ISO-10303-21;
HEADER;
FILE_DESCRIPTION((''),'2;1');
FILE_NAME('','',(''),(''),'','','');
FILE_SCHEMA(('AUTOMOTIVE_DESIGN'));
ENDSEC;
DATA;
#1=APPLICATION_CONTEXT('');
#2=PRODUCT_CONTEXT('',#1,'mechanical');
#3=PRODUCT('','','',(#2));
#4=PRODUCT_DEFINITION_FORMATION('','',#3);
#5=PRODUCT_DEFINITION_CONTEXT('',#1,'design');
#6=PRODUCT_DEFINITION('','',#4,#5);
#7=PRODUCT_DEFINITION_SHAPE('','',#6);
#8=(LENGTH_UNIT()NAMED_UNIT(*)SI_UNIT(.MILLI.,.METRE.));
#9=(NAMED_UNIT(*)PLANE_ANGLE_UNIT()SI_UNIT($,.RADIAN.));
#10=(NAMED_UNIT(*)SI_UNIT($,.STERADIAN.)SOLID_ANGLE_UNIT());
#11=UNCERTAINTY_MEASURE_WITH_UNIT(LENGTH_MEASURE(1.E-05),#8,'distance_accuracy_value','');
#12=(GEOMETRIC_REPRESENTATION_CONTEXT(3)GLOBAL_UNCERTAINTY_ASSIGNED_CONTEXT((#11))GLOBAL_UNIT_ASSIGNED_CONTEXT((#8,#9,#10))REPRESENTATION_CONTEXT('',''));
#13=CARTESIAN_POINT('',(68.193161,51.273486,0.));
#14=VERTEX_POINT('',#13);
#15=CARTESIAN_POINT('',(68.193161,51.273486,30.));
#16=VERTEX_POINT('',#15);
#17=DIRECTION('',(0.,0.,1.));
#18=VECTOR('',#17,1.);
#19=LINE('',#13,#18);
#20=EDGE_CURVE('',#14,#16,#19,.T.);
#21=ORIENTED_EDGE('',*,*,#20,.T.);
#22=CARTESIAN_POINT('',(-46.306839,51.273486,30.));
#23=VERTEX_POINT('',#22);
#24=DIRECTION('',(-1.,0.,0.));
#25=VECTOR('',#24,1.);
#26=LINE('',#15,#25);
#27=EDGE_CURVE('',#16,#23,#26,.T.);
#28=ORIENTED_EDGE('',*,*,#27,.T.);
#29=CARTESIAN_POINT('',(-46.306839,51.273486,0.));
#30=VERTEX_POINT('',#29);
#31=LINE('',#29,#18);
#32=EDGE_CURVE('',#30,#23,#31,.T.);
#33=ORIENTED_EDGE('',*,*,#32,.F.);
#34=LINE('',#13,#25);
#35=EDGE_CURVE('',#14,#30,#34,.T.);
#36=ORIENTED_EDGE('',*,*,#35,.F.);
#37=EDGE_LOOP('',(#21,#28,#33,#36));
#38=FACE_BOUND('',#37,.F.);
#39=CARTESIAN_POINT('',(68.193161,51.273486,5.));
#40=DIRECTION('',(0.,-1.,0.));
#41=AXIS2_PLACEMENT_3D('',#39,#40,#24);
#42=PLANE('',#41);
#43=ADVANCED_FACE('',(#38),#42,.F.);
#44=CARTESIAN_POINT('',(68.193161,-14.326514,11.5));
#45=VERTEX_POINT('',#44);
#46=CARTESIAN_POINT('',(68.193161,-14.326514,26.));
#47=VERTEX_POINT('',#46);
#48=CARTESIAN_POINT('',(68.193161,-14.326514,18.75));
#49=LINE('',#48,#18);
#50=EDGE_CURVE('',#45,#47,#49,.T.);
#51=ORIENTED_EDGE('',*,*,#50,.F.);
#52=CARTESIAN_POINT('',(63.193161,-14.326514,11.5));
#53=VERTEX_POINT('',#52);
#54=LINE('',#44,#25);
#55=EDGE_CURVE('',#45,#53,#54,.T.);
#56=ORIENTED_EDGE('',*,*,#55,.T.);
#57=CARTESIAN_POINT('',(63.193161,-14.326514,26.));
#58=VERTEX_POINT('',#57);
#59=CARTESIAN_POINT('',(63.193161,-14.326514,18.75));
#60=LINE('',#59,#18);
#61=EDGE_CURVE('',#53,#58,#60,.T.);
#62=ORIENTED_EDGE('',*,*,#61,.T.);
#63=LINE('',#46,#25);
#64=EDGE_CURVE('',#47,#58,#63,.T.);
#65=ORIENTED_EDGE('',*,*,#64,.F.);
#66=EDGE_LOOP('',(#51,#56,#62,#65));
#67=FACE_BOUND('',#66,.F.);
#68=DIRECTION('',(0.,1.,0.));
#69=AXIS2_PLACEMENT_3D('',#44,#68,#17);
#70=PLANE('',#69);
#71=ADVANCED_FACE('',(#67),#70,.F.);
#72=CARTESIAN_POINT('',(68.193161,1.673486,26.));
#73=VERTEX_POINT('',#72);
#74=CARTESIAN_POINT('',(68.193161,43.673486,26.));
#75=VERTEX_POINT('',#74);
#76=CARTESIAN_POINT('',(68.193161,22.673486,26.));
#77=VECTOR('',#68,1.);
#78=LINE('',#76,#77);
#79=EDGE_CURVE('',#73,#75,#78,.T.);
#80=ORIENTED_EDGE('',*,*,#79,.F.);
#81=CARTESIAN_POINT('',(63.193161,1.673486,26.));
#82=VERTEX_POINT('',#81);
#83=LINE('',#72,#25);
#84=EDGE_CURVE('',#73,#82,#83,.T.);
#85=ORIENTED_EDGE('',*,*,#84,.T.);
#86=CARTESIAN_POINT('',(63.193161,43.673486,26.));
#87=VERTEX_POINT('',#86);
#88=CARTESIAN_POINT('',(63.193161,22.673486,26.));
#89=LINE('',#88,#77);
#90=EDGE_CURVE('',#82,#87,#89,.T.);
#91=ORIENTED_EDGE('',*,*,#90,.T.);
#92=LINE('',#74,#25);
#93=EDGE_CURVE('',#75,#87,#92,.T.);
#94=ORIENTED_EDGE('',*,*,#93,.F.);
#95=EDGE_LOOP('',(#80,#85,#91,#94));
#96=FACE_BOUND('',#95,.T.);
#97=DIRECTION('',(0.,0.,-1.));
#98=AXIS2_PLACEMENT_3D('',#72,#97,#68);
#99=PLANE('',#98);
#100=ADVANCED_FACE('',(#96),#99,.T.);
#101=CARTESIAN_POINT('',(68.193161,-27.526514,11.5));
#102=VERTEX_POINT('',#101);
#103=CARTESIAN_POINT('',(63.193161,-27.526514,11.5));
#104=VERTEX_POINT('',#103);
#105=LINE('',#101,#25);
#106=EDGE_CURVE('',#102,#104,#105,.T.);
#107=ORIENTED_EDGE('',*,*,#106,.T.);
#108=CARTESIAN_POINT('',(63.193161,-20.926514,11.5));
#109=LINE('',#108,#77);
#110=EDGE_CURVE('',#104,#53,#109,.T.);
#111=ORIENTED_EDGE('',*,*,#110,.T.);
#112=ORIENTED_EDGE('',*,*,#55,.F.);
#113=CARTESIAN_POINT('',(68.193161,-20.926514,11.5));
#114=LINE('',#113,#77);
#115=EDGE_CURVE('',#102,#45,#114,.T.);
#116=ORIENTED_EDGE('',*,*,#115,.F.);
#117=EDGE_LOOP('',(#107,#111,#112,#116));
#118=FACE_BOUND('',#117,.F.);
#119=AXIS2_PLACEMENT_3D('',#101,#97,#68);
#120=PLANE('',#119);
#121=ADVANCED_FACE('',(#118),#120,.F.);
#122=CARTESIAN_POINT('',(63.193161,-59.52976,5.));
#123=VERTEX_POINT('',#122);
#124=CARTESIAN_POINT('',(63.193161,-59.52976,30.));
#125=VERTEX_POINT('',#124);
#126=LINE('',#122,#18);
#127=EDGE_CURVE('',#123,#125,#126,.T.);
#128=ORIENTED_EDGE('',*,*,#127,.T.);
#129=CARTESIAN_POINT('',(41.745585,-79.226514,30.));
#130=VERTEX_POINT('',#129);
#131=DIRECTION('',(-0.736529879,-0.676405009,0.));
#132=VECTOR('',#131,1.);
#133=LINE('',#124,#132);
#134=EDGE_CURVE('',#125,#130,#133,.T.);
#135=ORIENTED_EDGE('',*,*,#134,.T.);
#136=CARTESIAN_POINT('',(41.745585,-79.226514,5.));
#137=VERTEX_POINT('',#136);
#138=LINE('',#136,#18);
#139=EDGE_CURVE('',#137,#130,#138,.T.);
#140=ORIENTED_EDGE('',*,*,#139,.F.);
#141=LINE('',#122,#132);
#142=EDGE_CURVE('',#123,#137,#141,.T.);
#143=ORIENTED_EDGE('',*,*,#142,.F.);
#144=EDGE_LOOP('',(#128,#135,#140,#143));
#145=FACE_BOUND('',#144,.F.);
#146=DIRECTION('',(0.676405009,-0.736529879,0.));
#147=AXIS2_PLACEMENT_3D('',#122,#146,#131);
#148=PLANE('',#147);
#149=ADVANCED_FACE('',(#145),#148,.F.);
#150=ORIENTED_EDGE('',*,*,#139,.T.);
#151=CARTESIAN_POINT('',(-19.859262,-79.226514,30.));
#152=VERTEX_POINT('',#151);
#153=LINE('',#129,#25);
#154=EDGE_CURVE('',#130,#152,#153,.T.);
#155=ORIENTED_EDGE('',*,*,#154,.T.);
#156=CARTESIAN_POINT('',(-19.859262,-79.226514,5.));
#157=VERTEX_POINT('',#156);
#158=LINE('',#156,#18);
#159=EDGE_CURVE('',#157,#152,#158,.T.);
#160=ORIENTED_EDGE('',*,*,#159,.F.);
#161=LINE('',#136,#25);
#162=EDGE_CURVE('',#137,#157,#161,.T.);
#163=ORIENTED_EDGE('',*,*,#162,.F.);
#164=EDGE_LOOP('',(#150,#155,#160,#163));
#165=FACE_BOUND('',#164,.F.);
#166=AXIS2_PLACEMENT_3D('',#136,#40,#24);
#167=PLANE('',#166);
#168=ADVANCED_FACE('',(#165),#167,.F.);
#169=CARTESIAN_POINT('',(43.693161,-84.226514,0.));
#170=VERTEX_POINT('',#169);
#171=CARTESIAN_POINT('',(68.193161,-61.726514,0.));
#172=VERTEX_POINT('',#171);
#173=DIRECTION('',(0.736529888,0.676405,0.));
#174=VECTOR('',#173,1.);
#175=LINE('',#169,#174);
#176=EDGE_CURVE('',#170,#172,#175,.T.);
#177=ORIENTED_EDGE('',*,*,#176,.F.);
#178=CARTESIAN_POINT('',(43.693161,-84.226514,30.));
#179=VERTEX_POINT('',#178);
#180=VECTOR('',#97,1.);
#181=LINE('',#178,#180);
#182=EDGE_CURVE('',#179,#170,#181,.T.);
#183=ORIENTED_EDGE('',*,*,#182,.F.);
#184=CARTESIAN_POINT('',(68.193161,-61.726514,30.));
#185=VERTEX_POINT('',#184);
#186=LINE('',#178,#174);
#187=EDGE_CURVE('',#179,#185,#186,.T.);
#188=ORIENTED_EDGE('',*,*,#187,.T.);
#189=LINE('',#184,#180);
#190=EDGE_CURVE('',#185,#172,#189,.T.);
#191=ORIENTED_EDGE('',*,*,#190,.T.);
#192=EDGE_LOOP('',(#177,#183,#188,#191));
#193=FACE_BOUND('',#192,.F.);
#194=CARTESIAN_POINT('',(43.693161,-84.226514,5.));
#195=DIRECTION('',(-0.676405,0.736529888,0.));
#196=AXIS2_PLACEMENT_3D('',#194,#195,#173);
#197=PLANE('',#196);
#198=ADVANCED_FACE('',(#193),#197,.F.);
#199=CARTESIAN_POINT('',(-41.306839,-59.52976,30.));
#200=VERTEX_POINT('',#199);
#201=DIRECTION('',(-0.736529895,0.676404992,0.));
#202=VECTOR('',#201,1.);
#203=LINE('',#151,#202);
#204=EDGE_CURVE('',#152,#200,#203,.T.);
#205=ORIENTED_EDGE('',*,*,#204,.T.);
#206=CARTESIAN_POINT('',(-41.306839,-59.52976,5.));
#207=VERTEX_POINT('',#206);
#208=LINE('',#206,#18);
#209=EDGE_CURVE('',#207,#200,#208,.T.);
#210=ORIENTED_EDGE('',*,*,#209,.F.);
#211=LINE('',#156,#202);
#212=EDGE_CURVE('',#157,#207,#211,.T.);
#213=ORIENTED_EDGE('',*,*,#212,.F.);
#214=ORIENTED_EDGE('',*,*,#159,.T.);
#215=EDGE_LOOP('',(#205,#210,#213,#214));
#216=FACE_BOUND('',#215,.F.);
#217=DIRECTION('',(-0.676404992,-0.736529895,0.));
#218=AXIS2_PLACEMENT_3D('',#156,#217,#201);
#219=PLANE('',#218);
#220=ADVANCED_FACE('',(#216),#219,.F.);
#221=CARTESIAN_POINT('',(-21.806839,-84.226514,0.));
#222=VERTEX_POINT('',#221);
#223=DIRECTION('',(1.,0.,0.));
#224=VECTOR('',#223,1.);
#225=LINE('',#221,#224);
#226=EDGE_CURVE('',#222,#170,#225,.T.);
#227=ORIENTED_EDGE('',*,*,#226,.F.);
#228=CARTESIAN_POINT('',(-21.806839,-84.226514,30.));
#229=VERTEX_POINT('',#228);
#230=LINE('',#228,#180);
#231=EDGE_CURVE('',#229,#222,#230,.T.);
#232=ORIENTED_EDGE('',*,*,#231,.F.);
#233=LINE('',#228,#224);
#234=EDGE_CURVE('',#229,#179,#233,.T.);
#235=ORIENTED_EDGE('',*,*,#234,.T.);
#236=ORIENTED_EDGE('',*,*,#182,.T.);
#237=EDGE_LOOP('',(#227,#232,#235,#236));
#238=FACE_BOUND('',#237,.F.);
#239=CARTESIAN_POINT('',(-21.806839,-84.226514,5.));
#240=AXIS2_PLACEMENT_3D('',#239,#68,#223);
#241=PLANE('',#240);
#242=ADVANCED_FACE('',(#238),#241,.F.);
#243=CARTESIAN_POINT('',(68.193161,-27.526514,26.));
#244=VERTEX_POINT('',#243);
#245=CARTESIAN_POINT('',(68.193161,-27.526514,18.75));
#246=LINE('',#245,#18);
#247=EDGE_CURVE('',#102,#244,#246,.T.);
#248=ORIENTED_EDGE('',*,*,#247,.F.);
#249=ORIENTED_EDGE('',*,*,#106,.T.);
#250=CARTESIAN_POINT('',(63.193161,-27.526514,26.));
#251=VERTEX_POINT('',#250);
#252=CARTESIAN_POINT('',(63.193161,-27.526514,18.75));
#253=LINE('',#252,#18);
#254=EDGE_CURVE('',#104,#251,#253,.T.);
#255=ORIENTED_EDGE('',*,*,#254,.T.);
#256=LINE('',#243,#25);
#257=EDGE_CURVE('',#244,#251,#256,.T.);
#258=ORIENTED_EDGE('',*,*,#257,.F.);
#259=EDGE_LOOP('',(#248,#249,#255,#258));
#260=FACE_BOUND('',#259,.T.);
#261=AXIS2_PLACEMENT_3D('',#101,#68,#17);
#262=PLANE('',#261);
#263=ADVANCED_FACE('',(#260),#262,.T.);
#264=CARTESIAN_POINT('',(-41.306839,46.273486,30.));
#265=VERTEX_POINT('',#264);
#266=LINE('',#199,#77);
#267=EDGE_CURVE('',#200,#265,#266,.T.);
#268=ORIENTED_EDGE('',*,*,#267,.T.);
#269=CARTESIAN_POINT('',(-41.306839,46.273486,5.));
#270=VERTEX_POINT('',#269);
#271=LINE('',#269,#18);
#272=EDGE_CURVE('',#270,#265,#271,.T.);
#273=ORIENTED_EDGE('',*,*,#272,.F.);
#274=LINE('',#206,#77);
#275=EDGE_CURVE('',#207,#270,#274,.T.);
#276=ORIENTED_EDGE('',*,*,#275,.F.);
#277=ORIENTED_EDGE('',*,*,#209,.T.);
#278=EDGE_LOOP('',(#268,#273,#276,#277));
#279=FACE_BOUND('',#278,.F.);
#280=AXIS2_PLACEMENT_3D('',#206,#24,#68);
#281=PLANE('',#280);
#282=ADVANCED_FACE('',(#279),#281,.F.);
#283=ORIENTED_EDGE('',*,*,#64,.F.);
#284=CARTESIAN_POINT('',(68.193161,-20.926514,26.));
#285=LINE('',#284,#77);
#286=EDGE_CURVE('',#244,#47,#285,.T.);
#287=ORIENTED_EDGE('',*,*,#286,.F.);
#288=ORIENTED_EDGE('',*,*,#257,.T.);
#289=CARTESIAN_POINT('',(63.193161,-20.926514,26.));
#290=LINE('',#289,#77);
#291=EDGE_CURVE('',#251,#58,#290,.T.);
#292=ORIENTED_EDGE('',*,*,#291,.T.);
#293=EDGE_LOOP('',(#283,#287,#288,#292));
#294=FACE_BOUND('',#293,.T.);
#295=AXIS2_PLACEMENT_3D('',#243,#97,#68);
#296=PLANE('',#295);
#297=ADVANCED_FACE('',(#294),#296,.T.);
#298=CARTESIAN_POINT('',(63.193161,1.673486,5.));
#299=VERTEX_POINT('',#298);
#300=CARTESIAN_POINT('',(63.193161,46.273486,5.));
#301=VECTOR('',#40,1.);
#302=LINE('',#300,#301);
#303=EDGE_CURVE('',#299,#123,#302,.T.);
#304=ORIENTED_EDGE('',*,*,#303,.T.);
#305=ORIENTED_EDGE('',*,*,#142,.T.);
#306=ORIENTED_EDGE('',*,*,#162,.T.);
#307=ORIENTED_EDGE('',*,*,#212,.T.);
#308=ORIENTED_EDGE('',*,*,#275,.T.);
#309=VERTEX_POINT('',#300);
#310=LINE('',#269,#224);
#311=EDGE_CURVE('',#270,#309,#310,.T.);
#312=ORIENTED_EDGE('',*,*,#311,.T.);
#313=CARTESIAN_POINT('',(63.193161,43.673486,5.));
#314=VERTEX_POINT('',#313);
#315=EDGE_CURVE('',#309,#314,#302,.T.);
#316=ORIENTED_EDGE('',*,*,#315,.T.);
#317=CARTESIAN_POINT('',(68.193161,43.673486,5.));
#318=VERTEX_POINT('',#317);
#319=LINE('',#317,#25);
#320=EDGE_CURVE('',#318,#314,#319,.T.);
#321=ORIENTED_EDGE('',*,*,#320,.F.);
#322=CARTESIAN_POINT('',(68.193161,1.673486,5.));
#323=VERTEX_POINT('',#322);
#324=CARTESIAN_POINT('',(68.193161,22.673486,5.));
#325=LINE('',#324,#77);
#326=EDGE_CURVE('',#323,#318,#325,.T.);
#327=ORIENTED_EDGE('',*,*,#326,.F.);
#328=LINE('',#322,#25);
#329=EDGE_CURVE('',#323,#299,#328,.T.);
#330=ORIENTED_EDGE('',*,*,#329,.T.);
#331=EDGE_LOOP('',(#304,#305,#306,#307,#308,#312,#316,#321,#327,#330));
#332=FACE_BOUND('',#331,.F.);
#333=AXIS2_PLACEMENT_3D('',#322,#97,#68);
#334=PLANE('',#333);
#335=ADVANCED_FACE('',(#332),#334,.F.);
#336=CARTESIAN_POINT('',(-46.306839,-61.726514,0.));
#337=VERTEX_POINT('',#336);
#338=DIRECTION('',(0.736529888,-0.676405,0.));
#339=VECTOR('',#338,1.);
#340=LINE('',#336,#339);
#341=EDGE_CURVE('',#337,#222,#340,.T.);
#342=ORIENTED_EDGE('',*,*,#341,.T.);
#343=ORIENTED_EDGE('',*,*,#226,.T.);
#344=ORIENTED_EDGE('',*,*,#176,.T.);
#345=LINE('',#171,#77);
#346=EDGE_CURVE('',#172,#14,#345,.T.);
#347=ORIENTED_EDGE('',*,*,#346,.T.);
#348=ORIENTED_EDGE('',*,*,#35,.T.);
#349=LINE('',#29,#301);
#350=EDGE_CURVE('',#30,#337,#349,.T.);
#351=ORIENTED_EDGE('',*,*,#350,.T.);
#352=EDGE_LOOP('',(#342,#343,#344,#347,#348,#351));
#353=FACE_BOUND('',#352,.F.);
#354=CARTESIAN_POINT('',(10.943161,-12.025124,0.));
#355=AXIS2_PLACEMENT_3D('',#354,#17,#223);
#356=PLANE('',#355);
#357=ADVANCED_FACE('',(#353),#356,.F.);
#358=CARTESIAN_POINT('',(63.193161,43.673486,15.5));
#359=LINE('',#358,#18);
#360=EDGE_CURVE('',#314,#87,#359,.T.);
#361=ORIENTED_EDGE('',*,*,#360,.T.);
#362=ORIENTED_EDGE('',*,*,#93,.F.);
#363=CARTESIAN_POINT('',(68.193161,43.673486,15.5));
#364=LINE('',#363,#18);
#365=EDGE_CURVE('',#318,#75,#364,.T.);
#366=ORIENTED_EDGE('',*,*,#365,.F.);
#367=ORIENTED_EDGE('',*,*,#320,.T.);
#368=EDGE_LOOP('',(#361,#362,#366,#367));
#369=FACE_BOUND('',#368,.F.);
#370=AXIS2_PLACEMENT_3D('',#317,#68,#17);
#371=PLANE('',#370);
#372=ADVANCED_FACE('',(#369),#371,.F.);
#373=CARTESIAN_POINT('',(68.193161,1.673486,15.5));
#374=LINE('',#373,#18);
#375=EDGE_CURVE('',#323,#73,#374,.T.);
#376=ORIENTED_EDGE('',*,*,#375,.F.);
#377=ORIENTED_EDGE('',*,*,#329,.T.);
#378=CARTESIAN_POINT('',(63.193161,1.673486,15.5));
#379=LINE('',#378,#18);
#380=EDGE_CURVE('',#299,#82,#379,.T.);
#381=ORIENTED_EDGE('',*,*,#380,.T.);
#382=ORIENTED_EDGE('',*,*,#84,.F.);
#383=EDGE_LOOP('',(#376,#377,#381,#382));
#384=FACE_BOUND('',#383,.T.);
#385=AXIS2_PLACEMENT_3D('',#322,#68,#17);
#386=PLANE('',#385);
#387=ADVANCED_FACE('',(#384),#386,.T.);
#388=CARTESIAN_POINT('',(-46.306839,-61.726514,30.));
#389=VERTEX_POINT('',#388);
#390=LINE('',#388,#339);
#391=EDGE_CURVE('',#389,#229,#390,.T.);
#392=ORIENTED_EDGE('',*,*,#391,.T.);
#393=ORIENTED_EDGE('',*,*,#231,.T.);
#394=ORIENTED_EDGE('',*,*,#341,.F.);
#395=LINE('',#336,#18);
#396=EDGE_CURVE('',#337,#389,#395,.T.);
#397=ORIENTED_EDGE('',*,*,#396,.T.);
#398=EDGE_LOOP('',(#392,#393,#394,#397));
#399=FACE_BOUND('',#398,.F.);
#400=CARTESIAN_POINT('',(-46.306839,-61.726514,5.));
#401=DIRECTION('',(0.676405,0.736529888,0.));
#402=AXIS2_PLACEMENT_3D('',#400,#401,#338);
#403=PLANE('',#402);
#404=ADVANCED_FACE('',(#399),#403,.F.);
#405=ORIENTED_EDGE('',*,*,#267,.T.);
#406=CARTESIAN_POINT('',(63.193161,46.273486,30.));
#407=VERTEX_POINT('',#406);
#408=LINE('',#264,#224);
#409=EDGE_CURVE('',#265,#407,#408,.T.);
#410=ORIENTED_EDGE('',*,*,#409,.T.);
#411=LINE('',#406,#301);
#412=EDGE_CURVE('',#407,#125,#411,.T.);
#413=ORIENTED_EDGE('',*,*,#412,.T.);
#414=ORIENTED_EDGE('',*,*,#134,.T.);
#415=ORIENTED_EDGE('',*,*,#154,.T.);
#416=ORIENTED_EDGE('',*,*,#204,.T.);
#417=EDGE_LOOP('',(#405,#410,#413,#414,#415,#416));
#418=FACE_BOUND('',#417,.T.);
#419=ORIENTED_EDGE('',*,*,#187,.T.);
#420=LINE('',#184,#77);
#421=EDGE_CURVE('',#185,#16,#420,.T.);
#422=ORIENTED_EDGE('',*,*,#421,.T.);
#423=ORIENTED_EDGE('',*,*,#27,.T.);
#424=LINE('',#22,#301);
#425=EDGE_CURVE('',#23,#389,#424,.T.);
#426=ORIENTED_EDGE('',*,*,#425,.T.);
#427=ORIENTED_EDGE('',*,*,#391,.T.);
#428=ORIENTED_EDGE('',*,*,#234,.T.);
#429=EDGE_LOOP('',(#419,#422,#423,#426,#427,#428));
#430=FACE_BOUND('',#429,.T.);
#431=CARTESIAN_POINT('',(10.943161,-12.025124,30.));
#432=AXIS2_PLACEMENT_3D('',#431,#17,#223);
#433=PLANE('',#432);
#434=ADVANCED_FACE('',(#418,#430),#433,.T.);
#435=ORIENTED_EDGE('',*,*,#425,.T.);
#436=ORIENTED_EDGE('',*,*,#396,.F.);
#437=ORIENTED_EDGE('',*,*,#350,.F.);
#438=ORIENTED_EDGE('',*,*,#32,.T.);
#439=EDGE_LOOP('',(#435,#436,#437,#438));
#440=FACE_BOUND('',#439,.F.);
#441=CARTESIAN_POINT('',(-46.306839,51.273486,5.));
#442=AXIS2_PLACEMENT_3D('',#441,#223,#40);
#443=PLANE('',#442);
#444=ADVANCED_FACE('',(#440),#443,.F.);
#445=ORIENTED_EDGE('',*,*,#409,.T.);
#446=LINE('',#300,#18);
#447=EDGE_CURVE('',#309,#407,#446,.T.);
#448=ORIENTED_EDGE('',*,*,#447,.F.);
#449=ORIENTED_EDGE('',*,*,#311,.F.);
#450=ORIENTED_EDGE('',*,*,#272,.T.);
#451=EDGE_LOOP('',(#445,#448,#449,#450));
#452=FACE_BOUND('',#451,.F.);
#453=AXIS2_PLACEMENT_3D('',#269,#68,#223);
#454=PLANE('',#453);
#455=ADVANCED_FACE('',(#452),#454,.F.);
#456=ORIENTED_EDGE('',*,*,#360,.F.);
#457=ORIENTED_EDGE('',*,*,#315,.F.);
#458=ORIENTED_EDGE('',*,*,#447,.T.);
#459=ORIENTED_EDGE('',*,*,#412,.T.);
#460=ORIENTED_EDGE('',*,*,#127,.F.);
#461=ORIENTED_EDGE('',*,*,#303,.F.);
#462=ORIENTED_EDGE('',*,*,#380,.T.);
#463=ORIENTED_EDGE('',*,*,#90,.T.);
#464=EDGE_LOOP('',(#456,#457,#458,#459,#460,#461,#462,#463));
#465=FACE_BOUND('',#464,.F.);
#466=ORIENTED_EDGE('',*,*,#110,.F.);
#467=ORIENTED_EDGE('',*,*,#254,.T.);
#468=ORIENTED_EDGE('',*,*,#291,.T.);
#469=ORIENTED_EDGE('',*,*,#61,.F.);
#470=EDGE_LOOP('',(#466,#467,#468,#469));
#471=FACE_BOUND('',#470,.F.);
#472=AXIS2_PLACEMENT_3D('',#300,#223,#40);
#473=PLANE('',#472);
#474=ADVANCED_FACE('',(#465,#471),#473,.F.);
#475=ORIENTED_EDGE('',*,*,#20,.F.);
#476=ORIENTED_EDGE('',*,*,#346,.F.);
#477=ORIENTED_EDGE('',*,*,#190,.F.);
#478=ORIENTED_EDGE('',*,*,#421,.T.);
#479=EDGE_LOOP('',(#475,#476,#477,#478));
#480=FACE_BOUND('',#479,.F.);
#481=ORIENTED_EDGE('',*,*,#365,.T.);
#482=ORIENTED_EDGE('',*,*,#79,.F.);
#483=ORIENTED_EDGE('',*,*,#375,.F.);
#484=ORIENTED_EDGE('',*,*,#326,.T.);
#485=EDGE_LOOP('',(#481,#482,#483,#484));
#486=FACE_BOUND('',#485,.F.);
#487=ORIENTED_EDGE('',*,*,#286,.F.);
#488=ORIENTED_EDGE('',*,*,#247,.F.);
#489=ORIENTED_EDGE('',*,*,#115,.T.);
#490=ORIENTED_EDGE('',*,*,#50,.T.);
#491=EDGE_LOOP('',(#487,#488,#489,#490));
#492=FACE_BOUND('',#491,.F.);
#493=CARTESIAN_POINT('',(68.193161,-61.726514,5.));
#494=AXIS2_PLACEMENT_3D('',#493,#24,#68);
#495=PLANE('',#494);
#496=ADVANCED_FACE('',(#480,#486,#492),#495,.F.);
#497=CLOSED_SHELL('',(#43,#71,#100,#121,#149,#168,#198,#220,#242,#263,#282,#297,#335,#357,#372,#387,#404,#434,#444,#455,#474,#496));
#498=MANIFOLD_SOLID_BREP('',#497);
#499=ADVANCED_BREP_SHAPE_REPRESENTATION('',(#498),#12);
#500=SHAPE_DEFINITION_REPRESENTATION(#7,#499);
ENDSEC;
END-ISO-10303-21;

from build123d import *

# Parameters (mm, degrees)
F1_DEPTH = 5
F3_DEPTH = 25
F5_W     = 13.2
F5_H     = 14.5
F5_W_2   = 42
F5_H_2   = 21
F6_DEPTH = 5


with BuildPart() as f1:
    # F0 (on Top) → F1 (new body)
    with BuildSketch(Plane.XY):
        Polygon((68.193161, 51.273486), (-46.306839, 51.273486), (-46.306839, -61.726514), (-21.806839, -84.226514), (43.693161, -84.226514), (68.193161, -61.726514), align=None)
    extrude(amount=F1_DEPTH)

    # F2 (on face) → F3 (join)
    with BuildSketch(Plane.XY.offset(5)):
        Polygon((68.193161, -61.726514), (68.193161, 51.273486), (-46.306839, 51.273486), (-46.306839, -61.726514), (-21.806839, -84.226514), (43.693161, -84.226514), align=None)
        Polygon((-19.859262, -79.226514), (-41.306839, -59.52976), (-41.306839, 46.273486), (63.193161, 46.273486), (63.193161, -59.52976), (41.745585, -79.226514), align=None, mode=Mode.SUBTRACT)
    extrude(amount=F3_DEPTH)

    # F5 (on face) → F6 (cut, through all)
    with BuildSketch(Plane.YZ.offset(68.193161)):
        with Locations((-20.926514, 18.75)):
            Rectangle(F5_W, F5_H)
        with Locations((22.673486, 15.5)):
            Rectangle(F5_W_2, F5_H_2)
    extrude(amount=-F6_DEPTH, mode=Mode.SUBTRACT)


solid = f1.part
